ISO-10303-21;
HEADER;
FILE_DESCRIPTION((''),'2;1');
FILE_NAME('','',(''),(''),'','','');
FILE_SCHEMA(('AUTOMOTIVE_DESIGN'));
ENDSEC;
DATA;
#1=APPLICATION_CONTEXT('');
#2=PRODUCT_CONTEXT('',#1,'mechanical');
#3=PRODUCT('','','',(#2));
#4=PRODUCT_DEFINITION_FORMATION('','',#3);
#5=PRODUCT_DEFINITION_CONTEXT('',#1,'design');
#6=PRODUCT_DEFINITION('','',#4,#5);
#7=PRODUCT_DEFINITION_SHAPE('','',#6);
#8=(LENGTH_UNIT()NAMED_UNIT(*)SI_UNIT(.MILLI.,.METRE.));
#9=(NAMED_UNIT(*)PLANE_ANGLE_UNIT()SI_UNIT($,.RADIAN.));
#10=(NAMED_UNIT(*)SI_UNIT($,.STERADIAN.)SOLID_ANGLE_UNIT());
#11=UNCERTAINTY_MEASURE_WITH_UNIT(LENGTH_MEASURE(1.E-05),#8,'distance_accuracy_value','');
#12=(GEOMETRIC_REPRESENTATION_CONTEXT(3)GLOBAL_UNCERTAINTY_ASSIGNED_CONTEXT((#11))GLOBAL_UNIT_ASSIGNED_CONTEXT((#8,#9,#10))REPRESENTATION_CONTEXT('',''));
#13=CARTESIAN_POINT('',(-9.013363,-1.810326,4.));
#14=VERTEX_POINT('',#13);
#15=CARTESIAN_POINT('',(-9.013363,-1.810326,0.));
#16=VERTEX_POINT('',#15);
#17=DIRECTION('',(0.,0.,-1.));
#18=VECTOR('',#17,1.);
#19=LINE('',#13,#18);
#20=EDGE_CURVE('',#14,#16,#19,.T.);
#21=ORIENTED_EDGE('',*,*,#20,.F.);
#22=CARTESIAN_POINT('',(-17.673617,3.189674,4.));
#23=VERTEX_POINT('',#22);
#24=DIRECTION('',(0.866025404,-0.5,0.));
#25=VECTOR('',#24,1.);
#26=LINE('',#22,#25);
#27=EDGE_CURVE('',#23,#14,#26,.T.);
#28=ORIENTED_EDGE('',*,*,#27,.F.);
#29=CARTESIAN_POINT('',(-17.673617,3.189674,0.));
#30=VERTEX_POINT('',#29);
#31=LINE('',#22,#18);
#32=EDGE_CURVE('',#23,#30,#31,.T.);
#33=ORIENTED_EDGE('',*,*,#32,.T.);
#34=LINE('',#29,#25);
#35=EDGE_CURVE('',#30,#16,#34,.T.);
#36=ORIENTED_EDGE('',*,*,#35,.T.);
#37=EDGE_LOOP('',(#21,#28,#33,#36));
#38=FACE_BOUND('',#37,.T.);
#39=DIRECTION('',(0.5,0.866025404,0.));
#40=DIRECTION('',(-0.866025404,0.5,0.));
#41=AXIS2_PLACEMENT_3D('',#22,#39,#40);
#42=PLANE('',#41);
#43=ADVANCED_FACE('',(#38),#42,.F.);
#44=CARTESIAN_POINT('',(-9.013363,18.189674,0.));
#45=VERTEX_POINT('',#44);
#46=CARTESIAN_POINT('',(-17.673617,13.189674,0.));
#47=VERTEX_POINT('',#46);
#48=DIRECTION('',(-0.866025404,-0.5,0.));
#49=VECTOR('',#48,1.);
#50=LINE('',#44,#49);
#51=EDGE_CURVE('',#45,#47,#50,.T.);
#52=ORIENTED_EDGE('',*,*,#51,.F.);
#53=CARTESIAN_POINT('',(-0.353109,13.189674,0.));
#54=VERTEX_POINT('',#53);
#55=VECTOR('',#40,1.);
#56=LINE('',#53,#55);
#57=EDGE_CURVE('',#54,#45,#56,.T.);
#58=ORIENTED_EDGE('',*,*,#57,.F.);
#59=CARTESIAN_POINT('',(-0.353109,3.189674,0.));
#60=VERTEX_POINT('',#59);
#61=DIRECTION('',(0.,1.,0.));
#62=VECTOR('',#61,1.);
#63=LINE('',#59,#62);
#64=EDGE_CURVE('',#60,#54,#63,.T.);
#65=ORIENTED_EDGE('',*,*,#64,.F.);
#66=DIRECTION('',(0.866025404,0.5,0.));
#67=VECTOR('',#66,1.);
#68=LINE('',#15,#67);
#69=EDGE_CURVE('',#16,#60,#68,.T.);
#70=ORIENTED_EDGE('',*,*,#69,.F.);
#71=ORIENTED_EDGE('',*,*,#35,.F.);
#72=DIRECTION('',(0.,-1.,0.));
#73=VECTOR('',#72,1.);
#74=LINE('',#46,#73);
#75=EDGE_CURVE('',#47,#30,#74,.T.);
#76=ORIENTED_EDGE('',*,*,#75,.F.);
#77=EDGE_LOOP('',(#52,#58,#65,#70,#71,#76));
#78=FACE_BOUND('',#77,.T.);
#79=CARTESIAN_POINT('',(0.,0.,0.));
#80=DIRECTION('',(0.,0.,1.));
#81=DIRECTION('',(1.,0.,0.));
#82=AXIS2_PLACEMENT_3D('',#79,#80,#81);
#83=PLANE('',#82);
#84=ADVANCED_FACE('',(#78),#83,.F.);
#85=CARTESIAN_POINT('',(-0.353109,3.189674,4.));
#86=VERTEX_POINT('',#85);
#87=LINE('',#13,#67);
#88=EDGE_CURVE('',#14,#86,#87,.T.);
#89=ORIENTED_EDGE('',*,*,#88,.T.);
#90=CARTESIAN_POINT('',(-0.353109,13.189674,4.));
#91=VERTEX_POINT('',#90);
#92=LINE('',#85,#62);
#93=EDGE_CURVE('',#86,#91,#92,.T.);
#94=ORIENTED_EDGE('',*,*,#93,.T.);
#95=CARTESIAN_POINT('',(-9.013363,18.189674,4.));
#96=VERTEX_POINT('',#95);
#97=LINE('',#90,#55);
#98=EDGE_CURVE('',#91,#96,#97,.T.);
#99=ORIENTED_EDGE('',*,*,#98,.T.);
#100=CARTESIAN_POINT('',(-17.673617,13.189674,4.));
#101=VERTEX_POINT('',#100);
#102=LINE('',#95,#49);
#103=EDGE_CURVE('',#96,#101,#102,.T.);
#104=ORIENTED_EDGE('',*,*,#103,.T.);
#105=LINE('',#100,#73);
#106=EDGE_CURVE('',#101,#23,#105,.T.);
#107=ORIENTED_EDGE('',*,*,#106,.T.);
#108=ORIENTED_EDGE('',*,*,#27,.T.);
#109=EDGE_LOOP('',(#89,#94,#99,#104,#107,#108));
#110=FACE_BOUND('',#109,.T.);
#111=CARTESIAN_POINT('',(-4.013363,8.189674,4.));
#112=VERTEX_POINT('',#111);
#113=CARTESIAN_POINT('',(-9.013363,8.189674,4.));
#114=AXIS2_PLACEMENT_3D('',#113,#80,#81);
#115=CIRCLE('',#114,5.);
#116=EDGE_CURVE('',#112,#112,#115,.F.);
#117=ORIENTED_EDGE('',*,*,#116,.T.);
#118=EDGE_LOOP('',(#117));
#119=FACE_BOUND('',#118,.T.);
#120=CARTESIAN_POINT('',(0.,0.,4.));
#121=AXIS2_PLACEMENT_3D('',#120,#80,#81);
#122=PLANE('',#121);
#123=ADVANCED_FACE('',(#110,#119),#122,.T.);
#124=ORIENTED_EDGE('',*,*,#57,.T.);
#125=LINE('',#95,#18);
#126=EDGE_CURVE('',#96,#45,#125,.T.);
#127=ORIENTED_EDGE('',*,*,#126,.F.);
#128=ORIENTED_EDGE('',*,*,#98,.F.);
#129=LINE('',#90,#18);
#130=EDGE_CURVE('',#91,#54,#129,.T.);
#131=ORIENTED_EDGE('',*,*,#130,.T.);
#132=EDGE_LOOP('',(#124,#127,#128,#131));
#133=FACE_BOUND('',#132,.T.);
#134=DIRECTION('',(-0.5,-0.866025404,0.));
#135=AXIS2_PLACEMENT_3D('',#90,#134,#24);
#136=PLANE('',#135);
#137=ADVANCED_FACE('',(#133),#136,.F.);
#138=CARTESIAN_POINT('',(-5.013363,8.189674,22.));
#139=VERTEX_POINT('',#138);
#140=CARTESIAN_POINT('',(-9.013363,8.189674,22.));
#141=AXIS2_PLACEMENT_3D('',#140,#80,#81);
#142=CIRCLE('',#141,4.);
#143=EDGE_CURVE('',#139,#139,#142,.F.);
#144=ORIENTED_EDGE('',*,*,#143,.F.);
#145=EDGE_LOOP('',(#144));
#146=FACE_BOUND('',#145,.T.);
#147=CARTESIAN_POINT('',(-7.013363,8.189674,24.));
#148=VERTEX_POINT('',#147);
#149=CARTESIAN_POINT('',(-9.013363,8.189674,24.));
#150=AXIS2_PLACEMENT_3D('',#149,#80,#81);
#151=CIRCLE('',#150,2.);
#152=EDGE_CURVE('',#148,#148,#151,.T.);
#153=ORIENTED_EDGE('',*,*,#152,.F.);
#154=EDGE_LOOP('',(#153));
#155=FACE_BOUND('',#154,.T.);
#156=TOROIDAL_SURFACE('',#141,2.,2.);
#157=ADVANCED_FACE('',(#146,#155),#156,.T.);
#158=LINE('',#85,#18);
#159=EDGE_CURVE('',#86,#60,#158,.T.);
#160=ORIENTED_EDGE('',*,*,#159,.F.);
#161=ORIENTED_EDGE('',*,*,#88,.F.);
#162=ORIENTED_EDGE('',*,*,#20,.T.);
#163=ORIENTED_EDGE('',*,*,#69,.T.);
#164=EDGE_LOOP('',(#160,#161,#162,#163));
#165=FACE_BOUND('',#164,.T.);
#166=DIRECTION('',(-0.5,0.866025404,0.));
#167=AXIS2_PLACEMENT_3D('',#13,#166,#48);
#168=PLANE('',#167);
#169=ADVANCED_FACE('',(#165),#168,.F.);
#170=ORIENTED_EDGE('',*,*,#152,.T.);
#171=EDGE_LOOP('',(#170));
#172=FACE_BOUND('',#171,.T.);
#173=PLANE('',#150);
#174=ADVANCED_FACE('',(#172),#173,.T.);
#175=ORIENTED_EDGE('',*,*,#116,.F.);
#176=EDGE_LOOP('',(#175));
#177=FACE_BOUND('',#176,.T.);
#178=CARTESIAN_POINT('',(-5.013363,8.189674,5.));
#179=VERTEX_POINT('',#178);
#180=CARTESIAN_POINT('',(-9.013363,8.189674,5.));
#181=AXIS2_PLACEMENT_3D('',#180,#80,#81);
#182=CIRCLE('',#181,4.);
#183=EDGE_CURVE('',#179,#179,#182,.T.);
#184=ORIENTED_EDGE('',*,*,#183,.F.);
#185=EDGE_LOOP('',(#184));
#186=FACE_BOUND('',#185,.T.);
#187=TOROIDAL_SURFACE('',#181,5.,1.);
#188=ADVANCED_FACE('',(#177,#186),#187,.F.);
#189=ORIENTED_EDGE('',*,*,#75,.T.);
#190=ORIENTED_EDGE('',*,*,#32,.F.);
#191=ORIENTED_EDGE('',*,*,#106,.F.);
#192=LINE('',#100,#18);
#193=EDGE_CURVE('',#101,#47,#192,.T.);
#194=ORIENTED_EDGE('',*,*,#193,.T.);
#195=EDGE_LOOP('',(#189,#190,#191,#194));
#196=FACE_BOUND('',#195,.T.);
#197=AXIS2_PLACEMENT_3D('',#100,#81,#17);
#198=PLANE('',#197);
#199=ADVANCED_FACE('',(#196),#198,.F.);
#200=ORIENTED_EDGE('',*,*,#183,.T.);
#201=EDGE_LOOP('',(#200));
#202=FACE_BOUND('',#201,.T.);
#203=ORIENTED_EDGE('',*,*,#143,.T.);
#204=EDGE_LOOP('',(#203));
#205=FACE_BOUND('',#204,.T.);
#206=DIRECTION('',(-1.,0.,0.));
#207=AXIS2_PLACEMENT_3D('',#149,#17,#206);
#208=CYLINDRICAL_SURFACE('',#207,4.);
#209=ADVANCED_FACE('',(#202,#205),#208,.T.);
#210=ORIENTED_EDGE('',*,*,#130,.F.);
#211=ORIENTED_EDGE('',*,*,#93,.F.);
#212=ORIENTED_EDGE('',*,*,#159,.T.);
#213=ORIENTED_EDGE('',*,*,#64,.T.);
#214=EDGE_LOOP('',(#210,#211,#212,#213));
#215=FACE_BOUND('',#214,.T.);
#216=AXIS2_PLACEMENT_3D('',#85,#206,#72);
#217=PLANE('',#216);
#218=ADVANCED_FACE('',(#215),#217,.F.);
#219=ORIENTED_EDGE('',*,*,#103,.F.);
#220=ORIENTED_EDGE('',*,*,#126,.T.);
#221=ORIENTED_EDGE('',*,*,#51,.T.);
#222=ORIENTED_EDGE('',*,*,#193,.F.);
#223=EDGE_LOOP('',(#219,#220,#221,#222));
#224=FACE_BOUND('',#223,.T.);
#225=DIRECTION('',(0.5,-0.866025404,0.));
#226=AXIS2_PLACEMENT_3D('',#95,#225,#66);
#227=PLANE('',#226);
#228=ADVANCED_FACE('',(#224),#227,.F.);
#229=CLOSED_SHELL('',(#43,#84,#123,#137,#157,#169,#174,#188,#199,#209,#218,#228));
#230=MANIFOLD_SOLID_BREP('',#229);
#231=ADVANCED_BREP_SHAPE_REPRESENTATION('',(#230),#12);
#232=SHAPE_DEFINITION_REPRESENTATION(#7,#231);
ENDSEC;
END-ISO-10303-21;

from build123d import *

# Parameters (mm, degrees)
BOSS_EXTRUDE2_DEPTH = 4
SKETCH4_R           = 4
BOSS_EXTRUDE3_DEPTH = 20
FILLET1_R           = 2
FILLET3_R           = 1


with BuildPart() as part:
    # Sketch1 → Boss-Extrude2 (new body)
    with BuildSketch(Plane.XY):
        Polygon((-0.353108988, 3.18967376), (-0.353108988, 13.18967376), (-9.013363026, 18.18967376), (-17.673617064, 13.18967376), (-17.673617064, 3.18967376), (-9.013363026, -1.81032624), align=None)
    extrude(amount=BOSS_EXTRUDE2_DEPTH)

    # Sketch4 → Boss-Extrude3 (add)
    with BuildSketch(Plane.XY.offset(4)):
        with Locations((-9.013363026, 8.18967376)):
            Circle(SKETCH4_R)
    extrude(amount=BOSS_EXTRUDE3_DEPTH)

    # Fillet1
    fillet1_edges = [part.edges().sort_by_distance(p)[0] for p in [
        (-13.013363026, 8.18967376, 24),
    ]]
    fillet(fillet1_edges, radius=FILLET1_R)

    # Fillet3
    fillet3_edges = [part.edges().sort_by_distance(p)[0] for p in [
        (-13.013363026, 8.18967376, 4),
    ]]
    fillet(fillet3_edges, radius=FILLET3_R)


solid = part.part
